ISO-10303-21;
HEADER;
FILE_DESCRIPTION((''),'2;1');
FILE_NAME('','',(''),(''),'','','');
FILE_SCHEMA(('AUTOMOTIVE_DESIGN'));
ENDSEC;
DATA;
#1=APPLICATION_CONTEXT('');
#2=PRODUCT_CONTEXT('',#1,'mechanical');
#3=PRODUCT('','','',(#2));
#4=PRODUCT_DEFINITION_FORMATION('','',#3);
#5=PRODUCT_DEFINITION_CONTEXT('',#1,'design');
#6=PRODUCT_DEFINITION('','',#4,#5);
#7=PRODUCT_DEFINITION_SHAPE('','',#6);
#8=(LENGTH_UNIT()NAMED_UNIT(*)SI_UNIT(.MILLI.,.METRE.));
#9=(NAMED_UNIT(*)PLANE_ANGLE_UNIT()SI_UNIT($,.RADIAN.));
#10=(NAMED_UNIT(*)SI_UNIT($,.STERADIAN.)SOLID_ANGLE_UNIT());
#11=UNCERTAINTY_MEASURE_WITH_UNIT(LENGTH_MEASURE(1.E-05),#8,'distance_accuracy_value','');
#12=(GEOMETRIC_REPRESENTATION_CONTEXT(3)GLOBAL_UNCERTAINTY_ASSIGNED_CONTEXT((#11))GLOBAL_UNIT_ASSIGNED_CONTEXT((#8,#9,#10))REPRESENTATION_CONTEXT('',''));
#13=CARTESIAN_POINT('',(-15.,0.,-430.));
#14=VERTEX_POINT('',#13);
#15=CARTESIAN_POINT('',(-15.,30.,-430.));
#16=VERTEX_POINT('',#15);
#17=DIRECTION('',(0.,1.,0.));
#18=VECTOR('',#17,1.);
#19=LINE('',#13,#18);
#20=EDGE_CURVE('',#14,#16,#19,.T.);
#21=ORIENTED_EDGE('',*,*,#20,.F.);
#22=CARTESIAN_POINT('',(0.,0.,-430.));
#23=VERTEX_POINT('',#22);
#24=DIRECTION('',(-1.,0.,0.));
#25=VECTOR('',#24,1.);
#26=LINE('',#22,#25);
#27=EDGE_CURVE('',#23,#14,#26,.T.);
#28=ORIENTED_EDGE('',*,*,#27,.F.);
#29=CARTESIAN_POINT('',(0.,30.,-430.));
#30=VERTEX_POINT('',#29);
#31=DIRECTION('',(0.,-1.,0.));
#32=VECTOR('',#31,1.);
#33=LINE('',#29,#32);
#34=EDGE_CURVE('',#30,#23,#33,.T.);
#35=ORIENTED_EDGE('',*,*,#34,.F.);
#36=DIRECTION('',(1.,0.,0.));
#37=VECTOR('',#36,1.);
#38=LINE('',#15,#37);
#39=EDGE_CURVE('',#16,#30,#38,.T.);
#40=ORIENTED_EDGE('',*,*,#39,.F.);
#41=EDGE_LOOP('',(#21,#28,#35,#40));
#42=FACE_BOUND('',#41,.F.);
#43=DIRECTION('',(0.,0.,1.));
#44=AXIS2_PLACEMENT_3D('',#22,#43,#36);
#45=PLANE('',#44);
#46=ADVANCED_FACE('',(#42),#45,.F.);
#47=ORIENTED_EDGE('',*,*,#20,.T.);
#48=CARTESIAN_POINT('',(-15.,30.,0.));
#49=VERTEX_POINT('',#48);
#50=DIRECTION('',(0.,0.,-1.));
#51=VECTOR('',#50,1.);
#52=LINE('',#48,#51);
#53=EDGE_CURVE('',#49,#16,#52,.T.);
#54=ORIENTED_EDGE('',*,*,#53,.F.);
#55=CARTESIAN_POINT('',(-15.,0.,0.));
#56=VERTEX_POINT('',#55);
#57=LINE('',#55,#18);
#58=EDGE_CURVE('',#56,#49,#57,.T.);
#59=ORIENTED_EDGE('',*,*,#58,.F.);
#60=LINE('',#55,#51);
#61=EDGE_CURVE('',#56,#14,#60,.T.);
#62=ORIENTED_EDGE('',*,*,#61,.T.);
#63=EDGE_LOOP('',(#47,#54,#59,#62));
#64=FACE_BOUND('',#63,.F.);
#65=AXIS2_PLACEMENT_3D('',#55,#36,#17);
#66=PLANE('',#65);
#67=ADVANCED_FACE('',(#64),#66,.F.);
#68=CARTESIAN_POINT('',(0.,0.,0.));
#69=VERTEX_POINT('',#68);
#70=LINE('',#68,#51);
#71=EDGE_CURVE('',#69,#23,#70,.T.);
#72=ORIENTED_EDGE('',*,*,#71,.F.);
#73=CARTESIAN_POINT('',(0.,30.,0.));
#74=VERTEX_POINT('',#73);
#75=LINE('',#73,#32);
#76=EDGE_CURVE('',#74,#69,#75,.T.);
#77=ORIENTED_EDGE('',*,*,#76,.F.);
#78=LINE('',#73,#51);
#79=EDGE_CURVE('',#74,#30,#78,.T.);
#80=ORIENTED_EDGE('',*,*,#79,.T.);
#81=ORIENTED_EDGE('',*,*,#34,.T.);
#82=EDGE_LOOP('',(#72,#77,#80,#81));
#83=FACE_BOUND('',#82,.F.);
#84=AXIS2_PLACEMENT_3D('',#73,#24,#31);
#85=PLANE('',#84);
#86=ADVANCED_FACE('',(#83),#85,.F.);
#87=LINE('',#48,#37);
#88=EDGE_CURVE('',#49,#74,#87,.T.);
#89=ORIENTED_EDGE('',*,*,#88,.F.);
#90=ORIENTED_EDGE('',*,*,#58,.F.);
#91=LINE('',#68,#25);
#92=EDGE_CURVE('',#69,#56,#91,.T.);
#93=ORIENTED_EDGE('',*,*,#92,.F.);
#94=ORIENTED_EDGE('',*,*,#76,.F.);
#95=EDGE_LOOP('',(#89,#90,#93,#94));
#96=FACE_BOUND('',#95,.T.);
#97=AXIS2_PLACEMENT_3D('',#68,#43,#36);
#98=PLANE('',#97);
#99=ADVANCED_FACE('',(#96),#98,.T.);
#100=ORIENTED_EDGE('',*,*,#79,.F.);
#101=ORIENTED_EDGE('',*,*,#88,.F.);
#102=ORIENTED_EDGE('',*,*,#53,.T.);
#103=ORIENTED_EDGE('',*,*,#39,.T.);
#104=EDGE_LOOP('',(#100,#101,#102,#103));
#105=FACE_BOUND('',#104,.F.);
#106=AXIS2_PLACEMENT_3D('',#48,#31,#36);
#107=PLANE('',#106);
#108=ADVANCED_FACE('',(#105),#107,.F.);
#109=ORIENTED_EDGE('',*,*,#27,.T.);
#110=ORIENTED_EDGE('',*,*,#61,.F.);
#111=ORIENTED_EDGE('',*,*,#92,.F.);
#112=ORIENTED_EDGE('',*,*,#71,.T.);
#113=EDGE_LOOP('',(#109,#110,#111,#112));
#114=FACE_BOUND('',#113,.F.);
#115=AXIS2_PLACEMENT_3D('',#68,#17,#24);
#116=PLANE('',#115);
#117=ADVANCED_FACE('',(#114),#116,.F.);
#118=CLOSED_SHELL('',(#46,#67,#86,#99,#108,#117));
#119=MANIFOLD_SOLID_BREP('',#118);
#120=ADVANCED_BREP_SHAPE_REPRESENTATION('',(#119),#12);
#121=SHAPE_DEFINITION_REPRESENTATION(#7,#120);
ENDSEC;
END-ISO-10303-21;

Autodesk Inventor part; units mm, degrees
ref_plane "YZ Plane" through (0, 0, 0) normal (1, 0, 0) x (0, 1, 0)
ref_plane "XZ Plane" through (0, 0, 0) normal (0, 1, 0) x (-1, 0, 0)
ref_plane "XY Plane" through (0, 0, 0) normal (0, 0, 1) x (1, 0, 0)
sketch "Sketch1" plane through (0, 0, 0) normal (0, 0, 1) x (1, 0, 0)
  line L0 (0, 0) -> (-15, 0)
  line L1 (-15, 0) -> (-15, 30)
  line L2 (-15, 30) -> (0, 30)
  line L3 (0, 30) -> (0, 0)
  dimension "d0" = 30
  dimension "d1" = 15
extrude "Extrusion1" add sketch "Sketch1" against normal blind 430
properties part number "frame_support"
